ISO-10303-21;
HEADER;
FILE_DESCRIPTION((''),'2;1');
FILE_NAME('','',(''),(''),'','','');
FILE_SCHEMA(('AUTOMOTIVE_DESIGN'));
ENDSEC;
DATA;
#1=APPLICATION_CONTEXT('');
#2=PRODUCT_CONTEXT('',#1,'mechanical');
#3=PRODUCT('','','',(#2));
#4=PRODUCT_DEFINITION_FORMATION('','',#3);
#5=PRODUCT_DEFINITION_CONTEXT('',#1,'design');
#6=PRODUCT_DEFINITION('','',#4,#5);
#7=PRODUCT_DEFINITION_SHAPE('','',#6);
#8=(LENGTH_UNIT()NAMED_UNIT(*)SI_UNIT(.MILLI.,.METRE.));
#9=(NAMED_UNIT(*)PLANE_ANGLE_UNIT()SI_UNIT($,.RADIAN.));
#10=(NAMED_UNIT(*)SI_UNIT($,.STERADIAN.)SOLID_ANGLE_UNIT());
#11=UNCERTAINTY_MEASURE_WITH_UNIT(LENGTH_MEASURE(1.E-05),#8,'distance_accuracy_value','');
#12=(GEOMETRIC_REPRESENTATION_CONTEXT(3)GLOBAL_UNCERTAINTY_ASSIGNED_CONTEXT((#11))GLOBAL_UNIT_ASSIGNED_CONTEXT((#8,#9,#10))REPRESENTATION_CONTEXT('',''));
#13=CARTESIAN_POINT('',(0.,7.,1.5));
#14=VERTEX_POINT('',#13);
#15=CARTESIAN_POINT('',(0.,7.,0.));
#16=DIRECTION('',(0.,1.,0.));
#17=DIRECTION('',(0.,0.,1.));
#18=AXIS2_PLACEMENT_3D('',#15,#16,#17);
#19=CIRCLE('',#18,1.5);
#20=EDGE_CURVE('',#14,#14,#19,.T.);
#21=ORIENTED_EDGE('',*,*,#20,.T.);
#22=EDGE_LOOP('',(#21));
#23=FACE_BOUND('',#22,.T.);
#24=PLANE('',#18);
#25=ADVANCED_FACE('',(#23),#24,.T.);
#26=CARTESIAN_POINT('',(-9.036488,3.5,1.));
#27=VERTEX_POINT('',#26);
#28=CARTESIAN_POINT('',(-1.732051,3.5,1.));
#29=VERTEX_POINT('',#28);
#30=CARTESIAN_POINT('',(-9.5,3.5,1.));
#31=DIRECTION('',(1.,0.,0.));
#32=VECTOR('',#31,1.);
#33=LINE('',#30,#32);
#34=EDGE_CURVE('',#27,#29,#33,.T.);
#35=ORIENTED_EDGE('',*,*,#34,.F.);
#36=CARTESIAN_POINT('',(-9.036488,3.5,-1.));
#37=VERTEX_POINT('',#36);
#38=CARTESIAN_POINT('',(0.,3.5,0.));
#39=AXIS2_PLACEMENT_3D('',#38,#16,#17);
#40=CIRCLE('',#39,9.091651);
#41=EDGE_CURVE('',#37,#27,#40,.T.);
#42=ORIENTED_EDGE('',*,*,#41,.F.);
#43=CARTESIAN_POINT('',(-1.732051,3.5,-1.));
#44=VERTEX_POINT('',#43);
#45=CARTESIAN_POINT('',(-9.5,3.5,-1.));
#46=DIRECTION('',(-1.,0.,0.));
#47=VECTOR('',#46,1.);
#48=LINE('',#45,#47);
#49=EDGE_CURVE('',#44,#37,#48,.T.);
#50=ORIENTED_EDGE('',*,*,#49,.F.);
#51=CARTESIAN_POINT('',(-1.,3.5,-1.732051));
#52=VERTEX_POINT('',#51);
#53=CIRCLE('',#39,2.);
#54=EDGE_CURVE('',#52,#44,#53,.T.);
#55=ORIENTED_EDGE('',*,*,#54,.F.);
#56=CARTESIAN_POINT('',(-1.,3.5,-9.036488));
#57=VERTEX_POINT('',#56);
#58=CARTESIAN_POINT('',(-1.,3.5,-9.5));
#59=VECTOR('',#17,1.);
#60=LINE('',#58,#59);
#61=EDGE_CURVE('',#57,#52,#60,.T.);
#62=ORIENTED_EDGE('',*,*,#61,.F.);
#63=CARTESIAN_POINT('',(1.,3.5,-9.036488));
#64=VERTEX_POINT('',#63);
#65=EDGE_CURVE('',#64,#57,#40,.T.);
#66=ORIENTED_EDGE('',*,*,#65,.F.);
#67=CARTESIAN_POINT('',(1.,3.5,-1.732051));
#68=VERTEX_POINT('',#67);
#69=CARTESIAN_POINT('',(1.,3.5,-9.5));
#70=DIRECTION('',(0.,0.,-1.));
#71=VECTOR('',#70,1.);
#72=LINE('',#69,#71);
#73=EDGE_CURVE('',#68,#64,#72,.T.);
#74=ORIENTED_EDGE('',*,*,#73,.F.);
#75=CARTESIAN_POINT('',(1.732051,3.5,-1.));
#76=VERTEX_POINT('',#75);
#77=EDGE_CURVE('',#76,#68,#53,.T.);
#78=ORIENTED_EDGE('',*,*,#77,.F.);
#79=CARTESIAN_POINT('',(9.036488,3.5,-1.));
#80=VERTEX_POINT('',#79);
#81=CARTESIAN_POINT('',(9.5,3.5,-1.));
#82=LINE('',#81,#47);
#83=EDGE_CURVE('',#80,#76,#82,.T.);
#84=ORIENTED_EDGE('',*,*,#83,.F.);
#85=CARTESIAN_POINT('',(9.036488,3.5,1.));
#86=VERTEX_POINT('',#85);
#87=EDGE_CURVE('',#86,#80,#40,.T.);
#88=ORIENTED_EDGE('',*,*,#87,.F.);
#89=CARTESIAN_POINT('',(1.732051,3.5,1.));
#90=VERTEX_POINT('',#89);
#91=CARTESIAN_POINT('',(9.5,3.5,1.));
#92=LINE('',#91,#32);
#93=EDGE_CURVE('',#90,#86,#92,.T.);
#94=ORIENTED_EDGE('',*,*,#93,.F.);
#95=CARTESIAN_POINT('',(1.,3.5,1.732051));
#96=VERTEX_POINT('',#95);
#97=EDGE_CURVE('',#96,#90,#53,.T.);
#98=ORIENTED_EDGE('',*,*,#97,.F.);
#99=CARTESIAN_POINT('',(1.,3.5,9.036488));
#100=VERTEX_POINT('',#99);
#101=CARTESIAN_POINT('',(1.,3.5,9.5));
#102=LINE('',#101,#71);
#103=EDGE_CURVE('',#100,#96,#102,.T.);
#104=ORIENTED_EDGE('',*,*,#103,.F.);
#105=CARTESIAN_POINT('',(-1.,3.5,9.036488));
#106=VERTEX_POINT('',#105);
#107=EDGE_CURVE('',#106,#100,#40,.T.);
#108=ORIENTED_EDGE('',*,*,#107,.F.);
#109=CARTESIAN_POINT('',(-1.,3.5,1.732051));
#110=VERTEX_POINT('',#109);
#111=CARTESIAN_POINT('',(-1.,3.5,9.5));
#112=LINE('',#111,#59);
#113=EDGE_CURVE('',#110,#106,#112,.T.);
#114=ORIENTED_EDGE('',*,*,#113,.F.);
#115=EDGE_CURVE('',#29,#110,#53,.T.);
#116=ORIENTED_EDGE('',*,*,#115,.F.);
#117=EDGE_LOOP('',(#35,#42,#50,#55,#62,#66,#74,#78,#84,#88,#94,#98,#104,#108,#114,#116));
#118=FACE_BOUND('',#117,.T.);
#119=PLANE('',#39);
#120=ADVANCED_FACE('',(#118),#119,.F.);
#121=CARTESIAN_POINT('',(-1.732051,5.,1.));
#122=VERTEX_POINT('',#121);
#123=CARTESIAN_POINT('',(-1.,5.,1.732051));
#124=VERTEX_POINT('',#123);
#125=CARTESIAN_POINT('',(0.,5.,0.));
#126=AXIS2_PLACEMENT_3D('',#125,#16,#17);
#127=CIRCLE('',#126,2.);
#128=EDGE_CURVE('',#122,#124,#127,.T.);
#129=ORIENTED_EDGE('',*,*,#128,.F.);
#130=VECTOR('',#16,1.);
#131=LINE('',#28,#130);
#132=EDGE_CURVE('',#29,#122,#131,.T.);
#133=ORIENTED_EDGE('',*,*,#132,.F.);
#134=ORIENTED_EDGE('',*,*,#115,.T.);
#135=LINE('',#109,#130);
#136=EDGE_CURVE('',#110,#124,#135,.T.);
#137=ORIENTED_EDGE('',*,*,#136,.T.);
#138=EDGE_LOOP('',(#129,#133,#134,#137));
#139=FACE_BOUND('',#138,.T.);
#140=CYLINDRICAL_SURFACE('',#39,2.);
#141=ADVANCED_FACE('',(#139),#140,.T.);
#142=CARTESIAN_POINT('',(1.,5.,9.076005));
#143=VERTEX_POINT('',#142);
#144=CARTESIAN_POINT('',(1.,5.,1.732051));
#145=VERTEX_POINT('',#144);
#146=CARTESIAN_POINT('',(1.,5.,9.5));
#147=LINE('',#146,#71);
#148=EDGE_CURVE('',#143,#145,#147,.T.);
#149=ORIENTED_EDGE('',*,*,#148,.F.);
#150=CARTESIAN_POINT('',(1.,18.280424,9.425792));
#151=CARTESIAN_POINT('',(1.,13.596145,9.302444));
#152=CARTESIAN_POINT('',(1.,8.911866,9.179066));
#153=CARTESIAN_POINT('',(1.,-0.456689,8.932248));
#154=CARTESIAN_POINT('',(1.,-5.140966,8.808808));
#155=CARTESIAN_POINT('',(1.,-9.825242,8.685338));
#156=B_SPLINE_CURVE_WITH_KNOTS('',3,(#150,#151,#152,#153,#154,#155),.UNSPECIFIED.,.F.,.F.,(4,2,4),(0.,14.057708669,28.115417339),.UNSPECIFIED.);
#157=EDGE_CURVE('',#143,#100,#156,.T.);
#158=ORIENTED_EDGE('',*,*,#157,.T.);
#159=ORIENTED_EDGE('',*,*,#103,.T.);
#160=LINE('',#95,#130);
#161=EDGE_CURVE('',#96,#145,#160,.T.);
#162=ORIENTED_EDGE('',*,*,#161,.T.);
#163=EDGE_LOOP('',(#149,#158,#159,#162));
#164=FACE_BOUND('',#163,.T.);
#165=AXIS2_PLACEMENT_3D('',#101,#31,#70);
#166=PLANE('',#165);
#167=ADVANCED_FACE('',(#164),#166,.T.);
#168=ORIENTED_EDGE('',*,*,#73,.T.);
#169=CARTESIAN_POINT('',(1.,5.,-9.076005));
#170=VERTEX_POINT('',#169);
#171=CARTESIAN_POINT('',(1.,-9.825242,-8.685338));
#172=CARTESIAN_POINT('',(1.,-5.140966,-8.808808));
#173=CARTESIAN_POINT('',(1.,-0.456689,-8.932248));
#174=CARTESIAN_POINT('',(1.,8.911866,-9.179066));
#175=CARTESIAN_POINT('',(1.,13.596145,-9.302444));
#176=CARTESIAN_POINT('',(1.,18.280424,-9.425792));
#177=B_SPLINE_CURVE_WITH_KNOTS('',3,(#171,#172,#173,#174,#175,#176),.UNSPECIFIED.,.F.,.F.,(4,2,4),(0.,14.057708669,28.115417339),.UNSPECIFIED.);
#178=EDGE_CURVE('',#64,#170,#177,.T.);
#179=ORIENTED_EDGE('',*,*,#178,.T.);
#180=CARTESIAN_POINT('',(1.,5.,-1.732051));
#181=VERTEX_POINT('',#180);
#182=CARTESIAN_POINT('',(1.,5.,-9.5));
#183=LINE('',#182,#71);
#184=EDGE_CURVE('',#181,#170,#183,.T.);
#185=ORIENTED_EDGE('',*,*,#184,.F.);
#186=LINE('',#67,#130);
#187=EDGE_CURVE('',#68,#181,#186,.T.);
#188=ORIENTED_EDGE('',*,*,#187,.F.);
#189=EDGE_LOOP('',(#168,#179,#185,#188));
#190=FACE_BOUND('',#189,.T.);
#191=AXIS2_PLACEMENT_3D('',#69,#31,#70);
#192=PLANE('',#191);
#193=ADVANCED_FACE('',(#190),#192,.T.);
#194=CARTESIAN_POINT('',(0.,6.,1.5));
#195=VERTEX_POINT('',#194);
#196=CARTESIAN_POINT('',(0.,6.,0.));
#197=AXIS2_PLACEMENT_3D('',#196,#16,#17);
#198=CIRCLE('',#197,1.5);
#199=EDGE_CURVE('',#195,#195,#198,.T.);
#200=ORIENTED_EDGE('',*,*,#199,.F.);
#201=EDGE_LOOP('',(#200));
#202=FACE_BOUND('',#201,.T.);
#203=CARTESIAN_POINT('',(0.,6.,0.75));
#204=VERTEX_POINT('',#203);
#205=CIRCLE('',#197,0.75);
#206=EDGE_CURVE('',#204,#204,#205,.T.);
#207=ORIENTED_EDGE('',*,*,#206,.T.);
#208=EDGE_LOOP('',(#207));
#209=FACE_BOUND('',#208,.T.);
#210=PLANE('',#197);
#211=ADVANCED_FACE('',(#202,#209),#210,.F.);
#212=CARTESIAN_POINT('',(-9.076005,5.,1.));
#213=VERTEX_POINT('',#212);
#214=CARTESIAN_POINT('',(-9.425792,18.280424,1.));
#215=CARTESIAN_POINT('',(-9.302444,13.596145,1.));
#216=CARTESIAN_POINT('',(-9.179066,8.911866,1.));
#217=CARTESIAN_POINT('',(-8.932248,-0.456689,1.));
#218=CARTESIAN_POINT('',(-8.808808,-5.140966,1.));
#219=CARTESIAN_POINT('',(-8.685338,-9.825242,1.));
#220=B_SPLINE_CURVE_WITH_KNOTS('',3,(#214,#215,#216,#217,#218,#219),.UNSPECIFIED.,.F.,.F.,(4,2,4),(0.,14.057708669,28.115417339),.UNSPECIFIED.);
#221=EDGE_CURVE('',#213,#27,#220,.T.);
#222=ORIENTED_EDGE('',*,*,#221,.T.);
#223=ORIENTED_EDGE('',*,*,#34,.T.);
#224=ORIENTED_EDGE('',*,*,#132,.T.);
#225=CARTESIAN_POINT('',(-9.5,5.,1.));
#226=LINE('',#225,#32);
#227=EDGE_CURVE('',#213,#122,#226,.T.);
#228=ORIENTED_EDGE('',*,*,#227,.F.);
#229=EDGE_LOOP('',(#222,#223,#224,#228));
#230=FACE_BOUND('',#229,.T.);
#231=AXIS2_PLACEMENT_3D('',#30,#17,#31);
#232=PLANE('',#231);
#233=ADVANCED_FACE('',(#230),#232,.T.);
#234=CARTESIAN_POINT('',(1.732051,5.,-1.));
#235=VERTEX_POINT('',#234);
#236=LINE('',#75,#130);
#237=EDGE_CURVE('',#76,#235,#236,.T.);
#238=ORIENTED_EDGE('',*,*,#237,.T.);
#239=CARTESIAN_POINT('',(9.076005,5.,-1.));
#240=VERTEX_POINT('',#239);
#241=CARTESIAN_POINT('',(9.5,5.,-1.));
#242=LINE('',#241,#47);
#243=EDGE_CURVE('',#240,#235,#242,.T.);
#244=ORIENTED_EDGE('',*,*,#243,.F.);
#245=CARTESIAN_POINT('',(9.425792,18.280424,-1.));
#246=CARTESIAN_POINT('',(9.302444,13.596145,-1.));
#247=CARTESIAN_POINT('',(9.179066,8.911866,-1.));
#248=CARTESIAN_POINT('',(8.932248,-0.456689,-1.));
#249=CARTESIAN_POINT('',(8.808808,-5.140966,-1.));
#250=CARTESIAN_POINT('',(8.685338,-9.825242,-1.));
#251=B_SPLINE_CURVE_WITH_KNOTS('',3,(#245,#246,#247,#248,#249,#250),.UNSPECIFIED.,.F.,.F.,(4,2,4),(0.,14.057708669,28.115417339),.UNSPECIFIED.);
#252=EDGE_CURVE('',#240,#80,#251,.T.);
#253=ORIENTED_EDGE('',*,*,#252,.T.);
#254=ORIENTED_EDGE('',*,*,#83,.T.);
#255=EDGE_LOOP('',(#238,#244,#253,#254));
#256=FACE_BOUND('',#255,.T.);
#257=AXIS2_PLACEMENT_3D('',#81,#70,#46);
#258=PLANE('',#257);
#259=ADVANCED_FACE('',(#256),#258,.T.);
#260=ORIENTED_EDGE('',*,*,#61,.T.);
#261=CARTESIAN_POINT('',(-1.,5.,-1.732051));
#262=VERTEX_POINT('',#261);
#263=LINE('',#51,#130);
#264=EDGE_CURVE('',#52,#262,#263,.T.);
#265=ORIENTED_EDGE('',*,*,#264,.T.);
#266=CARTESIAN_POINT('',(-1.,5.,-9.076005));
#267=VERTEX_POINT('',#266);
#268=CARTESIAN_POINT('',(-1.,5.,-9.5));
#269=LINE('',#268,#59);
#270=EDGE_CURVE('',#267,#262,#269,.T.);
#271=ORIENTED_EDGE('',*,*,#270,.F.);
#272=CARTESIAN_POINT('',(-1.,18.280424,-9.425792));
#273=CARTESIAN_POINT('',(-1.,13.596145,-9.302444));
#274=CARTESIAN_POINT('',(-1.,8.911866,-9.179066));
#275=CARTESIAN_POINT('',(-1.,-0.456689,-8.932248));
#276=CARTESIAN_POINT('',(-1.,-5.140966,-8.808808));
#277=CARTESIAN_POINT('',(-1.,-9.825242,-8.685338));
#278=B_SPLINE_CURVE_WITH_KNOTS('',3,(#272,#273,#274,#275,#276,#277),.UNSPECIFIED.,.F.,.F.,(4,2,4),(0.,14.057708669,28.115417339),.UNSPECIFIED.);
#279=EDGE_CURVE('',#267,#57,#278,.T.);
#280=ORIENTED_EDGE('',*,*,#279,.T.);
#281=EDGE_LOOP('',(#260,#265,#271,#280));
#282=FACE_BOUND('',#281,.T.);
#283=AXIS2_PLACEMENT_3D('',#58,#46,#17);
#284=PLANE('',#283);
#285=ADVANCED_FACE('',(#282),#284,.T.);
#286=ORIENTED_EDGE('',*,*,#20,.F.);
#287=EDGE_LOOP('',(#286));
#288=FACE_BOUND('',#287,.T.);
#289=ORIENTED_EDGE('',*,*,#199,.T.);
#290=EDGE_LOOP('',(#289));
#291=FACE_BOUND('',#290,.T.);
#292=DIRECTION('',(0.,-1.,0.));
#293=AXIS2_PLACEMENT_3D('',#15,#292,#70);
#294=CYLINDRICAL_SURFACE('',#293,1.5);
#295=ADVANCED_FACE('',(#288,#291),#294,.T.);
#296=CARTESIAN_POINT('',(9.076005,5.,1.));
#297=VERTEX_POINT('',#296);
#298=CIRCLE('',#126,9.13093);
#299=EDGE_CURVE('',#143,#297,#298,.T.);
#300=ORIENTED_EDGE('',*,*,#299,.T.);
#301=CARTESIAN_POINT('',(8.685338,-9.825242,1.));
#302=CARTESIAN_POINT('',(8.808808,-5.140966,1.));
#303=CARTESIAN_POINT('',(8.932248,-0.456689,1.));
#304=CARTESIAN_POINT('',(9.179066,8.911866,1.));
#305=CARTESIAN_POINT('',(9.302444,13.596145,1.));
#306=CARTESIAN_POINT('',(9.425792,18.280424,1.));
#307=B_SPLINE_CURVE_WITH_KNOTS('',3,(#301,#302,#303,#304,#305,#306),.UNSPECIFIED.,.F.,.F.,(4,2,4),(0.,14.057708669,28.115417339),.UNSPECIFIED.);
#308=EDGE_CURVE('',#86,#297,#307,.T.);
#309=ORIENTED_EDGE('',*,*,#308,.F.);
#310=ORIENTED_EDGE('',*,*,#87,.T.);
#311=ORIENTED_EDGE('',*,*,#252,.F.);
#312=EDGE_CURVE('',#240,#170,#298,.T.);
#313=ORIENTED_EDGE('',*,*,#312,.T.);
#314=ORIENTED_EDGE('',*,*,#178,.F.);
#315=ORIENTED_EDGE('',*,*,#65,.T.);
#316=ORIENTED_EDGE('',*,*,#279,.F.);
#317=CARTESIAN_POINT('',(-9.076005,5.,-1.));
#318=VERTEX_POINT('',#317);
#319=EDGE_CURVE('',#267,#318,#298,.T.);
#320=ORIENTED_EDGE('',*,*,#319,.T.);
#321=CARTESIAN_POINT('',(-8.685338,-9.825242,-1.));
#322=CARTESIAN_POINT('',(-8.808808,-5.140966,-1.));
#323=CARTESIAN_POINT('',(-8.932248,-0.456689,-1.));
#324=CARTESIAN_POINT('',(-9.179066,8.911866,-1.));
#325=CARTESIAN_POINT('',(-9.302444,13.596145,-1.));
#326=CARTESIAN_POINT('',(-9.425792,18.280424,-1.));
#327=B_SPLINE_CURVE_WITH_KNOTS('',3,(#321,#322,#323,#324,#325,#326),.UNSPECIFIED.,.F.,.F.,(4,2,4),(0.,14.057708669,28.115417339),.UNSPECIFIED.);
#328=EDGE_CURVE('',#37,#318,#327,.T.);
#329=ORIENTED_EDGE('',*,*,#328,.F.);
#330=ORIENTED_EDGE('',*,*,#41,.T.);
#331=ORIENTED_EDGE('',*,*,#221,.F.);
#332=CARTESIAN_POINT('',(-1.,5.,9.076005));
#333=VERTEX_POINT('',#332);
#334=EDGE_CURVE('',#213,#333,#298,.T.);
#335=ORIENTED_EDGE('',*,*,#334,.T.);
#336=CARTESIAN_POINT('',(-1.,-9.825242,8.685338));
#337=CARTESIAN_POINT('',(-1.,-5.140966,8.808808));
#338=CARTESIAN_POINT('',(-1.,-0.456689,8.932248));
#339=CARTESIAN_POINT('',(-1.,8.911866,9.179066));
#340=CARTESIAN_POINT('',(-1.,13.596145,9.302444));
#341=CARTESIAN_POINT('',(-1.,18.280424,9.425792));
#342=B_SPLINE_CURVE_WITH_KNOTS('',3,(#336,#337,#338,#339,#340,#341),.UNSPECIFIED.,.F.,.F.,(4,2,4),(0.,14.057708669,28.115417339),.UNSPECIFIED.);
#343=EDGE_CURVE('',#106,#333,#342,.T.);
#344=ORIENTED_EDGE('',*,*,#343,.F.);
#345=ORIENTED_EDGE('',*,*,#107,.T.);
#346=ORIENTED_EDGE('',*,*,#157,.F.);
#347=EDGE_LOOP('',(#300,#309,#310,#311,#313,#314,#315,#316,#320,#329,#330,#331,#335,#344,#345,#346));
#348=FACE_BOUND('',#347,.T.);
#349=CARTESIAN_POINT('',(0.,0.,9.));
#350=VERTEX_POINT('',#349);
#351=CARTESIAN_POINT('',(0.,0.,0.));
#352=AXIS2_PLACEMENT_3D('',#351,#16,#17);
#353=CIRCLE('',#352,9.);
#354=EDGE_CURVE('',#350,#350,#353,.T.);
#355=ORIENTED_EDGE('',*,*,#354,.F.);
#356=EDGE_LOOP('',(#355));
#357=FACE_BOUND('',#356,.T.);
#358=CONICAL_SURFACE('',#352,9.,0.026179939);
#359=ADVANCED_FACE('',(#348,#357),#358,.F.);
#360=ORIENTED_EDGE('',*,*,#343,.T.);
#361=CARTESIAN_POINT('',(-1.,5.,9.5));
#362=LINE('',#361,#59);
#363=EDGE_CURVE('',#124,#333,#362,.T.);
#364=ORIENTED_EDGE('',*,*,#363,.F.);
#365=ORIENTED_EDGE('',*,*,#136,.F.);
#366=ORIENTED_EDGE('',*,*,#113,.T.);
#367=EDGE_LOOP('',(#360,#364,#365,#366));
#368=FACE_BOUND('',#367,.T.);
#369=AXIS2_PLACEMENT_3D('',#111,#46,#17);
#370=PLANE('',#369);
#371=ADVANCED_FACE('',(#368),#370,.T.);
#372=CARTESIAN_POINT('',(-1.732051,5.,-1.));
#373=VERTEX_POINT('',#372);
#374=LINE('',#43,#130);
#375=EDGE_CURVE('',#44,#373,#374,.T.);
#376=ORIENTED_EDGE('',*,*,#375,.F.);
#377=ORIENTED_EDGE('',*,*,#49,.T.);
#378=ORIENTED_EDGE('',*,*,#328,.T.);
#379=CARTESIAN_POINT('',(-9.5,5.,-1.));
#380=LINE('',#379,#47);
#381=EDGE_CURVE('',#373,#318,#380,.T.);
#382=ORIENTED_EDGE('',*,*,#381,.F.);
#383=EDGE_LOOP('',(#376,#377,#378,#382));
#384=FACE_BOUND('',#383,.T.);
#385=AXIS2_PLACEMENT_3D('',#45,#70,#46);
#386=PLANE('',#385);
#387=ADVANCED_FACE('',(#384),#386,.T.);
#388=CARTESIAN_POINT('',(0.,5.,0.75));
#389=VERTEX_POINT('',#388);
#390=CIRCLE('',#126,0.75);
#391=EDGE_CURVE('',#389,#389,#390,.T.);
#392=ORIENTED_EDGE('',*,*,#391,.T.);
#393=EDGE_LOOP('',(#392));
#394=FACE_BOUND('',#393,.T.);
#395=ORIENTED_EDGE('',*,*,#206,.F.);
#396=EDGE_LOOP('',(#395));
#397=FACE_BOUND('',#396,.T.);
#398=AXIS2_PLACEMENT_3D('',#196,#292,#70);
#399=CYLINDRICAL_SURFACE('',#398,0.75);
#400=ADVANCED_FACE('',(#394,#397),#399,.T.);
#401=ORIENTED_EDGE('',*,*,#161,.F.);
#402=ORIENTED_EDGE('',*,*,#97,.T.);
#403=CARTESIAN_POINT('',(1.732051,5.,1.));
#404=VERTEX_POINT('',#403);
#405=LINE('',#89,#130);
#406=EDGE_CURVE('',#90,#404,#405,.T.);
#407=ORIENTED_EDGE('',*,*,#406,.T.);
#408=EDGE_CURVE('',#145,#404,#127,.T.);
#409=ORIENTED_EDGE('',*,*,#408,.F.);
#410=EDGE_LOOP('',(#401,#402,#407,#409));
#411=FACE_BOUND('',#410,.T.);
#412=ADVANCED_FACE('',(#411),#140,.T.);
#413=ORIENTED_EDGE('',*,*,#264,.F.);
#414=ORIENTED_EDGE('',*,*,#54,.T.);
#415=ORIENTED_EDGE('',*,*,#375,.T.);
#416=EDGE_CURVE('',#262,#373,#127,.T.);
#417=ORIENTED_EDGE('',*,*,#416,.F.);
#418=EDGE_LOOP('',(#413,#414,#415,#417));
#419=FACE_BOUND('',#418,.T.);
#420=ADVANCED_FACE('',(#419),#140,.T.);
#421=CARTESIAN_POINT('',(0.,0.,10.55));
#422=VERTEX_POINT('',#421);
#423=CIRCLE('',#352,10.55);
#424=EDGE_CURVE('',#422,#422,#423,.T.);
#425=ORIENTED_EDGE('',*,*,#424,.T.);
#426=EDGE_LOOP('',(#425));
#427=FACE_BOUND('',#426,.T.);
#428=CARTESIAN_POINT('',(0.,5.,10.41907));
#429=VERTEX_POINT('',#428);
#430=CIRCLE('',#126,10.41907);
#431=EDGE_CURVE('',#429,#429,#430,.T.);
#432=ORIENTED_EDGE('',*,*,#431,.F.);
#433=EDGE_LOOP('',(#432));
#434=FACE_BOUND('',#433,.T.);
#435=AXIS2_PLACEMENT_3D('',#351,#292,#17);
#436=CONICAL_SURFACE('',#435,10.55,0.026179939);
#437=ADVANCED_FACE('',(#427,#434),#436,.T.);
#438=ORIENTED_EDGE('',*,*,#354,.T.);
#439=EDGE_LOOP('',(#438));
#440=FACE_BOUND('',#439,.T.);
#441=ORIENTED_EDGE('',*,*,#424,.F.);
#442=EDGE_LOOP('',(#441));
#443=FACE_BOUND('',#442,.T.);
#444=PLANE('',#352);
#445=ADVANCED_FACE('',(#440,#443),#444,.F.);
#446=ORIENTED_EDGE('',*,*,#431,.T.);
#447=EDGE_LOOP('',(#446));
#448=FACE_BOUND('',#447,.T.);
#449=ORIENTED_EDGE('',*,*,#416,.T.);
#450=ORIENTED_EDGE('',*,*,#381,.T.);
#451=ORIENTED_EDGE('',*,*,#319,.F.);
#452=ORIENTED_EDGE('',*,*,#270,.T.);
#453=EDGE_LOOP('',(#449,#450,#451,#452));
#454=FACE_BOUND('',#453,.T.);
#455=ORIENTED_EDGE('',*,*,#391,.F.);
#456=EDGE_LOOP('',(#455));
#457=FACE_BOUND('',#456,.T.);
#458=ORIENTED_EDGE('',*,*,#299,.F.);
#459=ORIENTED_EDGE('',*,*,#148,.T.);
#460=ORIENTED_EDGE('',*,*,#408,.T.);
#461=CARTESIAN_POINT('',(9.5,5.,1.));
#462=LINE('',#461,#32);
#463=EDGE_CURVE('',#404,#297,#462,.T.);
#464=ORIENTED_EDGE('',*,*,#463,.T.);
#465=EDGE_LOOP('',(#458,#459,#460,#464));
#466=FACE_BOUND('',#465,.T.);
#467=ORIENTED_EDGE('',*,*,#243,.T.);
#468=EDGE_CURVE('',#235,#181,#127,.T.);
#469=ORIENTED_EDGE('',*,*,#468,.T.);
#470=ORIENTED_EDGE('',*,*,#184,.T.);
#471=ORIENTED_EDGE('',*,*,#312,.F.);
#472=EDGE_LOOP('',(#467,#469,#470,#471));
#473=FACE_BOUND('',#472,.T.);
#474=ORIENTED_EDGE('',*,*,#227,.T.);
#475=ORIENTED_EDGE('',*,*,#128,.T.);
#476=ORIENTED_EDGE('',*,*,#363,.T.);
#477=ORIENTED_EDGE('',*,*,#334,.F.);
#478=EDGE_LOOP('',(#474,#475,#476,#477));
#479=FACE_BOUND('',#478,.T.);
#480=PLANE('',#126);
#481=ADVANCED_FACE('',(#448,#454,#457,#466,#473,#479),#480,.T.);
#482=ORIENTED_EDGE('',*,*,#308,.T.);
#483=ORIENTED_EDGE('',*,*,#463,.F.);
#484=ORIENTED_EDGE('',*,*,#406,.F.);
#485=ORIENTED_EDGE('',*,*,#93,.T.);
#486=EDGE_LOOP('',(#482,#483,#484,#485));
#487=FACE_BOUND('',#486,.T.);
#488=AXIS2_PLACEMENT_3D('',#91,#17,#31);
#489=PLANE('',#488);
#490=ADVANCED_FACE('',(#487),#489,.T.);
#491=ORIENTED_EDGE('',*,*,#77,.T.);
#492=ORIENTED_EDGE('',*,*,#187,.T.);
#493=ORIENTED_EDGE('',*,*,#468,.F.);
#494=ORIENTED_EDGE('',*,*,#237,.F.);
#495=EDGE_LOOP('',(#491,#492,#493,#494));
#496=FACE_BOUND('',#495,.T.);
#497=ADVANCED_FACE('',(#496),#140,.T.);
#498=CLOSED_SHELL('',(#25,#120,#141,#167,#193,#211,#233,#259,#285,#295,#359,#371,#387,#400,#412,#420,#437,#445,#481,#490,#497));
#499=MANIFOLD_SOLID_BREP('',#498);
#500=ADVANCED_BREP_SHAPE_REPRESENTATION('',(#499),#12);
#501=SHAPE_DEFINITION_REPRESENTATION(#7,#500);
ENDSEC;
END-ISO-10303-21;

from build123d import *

# Parameters (mm, degrees)
SKETCH1_R         = 10.55
SKETCH1_R_2       = 9
EXTRUDE1_DEPTH    = 5
EXTRUDE1_DRAFT    = 1.5
EXTRUDE3_DEPTH    = 1.5
CIRPATTERN1_COUNT = 4
SKETCH5_R         = 0.75
EXTRUDE4_DEPTH    = 1
SKETCH6_R         = 1.5
EXTRUDE5_DEPTH    = 1


with BuildPart() as part:
    # Sketch1 → Extrude1 (with draft: the straight prism first)
    with BuildSketch(Plane(origin=(0, 0, 0), x_dir=(1, 0, 0), z_dir=(0, 1, 0))):
        Circle(SKETCH1_R)
        Circle(SKETCH1_R_2, mode=Mode.SUBTRACT)
    extrude(amount=EXTRUDE1_DEPTH)
    # Extrude1: the draft: its side faces are tilted about the plane it starts from
    extrude1_sides = [part.faces().sort_by_distance(p)[0] for p in [
        (-10.55, 2.5, 0),
        (-9, 2.5, 0),
    ]]
    draft(extrude1_sides, Plane(origin=(0, 0, 0), x_dir=(1, 0, 0), z_dir=(0, 1, 0)), EXTRUDE1_DRAFT)

    # Sketch4 → Extrude3 (add)
    with BuildSketch(Plane(origin=(0, 5, 0), x_dir=(1, 0, 0), z_dir=(0, 1, 0))):
        with BuildLine():
            Line((-1, 9.5), (1, 9.5))
            Line((1, 9.5), (1, 1.732050808))
            ThreePointArc((1, 1.732050808), (0, -2), (-1, 1.732050808))
            Line((-1, 1.732050808), (-1, 9.5))
        make_face()
    extrude3 = extrude(amount=-EXTRUDE3_DEPTH)

    # CirPattern1: Extrude3 ×4 about axis
    cirpattern1_axis = Axis((0, 5.25, 0), (0, -1, 0))
    for i in range(1, CIRPATTERN1_COUNT):
        add(extrude3.rotate(cirpattern1_axis, i * 360 / CIRPATTERN1_COUNT))

    # Sketch5 → Extrude4 (add)
    with BuildSketch(Plane(origin=(0, 5, 0), x_dir=(1, 0, 0), z_dir=(0, 1, 0))):
        Circle(SKETCH5_R)
    extrude(amount=EXTRUDE4_DEPTH)

    # Sketch6 → Extrude5 (add)
    with BuildSketch(Plane(origin=(0, 6, 0), x_dir=(1, 0, 0), z_dir=(0, 1, 0))):
        Circle(SKETCH6_R)
    extrude(amount=EXTRUDE5_DEPTH)


solid = part.part
